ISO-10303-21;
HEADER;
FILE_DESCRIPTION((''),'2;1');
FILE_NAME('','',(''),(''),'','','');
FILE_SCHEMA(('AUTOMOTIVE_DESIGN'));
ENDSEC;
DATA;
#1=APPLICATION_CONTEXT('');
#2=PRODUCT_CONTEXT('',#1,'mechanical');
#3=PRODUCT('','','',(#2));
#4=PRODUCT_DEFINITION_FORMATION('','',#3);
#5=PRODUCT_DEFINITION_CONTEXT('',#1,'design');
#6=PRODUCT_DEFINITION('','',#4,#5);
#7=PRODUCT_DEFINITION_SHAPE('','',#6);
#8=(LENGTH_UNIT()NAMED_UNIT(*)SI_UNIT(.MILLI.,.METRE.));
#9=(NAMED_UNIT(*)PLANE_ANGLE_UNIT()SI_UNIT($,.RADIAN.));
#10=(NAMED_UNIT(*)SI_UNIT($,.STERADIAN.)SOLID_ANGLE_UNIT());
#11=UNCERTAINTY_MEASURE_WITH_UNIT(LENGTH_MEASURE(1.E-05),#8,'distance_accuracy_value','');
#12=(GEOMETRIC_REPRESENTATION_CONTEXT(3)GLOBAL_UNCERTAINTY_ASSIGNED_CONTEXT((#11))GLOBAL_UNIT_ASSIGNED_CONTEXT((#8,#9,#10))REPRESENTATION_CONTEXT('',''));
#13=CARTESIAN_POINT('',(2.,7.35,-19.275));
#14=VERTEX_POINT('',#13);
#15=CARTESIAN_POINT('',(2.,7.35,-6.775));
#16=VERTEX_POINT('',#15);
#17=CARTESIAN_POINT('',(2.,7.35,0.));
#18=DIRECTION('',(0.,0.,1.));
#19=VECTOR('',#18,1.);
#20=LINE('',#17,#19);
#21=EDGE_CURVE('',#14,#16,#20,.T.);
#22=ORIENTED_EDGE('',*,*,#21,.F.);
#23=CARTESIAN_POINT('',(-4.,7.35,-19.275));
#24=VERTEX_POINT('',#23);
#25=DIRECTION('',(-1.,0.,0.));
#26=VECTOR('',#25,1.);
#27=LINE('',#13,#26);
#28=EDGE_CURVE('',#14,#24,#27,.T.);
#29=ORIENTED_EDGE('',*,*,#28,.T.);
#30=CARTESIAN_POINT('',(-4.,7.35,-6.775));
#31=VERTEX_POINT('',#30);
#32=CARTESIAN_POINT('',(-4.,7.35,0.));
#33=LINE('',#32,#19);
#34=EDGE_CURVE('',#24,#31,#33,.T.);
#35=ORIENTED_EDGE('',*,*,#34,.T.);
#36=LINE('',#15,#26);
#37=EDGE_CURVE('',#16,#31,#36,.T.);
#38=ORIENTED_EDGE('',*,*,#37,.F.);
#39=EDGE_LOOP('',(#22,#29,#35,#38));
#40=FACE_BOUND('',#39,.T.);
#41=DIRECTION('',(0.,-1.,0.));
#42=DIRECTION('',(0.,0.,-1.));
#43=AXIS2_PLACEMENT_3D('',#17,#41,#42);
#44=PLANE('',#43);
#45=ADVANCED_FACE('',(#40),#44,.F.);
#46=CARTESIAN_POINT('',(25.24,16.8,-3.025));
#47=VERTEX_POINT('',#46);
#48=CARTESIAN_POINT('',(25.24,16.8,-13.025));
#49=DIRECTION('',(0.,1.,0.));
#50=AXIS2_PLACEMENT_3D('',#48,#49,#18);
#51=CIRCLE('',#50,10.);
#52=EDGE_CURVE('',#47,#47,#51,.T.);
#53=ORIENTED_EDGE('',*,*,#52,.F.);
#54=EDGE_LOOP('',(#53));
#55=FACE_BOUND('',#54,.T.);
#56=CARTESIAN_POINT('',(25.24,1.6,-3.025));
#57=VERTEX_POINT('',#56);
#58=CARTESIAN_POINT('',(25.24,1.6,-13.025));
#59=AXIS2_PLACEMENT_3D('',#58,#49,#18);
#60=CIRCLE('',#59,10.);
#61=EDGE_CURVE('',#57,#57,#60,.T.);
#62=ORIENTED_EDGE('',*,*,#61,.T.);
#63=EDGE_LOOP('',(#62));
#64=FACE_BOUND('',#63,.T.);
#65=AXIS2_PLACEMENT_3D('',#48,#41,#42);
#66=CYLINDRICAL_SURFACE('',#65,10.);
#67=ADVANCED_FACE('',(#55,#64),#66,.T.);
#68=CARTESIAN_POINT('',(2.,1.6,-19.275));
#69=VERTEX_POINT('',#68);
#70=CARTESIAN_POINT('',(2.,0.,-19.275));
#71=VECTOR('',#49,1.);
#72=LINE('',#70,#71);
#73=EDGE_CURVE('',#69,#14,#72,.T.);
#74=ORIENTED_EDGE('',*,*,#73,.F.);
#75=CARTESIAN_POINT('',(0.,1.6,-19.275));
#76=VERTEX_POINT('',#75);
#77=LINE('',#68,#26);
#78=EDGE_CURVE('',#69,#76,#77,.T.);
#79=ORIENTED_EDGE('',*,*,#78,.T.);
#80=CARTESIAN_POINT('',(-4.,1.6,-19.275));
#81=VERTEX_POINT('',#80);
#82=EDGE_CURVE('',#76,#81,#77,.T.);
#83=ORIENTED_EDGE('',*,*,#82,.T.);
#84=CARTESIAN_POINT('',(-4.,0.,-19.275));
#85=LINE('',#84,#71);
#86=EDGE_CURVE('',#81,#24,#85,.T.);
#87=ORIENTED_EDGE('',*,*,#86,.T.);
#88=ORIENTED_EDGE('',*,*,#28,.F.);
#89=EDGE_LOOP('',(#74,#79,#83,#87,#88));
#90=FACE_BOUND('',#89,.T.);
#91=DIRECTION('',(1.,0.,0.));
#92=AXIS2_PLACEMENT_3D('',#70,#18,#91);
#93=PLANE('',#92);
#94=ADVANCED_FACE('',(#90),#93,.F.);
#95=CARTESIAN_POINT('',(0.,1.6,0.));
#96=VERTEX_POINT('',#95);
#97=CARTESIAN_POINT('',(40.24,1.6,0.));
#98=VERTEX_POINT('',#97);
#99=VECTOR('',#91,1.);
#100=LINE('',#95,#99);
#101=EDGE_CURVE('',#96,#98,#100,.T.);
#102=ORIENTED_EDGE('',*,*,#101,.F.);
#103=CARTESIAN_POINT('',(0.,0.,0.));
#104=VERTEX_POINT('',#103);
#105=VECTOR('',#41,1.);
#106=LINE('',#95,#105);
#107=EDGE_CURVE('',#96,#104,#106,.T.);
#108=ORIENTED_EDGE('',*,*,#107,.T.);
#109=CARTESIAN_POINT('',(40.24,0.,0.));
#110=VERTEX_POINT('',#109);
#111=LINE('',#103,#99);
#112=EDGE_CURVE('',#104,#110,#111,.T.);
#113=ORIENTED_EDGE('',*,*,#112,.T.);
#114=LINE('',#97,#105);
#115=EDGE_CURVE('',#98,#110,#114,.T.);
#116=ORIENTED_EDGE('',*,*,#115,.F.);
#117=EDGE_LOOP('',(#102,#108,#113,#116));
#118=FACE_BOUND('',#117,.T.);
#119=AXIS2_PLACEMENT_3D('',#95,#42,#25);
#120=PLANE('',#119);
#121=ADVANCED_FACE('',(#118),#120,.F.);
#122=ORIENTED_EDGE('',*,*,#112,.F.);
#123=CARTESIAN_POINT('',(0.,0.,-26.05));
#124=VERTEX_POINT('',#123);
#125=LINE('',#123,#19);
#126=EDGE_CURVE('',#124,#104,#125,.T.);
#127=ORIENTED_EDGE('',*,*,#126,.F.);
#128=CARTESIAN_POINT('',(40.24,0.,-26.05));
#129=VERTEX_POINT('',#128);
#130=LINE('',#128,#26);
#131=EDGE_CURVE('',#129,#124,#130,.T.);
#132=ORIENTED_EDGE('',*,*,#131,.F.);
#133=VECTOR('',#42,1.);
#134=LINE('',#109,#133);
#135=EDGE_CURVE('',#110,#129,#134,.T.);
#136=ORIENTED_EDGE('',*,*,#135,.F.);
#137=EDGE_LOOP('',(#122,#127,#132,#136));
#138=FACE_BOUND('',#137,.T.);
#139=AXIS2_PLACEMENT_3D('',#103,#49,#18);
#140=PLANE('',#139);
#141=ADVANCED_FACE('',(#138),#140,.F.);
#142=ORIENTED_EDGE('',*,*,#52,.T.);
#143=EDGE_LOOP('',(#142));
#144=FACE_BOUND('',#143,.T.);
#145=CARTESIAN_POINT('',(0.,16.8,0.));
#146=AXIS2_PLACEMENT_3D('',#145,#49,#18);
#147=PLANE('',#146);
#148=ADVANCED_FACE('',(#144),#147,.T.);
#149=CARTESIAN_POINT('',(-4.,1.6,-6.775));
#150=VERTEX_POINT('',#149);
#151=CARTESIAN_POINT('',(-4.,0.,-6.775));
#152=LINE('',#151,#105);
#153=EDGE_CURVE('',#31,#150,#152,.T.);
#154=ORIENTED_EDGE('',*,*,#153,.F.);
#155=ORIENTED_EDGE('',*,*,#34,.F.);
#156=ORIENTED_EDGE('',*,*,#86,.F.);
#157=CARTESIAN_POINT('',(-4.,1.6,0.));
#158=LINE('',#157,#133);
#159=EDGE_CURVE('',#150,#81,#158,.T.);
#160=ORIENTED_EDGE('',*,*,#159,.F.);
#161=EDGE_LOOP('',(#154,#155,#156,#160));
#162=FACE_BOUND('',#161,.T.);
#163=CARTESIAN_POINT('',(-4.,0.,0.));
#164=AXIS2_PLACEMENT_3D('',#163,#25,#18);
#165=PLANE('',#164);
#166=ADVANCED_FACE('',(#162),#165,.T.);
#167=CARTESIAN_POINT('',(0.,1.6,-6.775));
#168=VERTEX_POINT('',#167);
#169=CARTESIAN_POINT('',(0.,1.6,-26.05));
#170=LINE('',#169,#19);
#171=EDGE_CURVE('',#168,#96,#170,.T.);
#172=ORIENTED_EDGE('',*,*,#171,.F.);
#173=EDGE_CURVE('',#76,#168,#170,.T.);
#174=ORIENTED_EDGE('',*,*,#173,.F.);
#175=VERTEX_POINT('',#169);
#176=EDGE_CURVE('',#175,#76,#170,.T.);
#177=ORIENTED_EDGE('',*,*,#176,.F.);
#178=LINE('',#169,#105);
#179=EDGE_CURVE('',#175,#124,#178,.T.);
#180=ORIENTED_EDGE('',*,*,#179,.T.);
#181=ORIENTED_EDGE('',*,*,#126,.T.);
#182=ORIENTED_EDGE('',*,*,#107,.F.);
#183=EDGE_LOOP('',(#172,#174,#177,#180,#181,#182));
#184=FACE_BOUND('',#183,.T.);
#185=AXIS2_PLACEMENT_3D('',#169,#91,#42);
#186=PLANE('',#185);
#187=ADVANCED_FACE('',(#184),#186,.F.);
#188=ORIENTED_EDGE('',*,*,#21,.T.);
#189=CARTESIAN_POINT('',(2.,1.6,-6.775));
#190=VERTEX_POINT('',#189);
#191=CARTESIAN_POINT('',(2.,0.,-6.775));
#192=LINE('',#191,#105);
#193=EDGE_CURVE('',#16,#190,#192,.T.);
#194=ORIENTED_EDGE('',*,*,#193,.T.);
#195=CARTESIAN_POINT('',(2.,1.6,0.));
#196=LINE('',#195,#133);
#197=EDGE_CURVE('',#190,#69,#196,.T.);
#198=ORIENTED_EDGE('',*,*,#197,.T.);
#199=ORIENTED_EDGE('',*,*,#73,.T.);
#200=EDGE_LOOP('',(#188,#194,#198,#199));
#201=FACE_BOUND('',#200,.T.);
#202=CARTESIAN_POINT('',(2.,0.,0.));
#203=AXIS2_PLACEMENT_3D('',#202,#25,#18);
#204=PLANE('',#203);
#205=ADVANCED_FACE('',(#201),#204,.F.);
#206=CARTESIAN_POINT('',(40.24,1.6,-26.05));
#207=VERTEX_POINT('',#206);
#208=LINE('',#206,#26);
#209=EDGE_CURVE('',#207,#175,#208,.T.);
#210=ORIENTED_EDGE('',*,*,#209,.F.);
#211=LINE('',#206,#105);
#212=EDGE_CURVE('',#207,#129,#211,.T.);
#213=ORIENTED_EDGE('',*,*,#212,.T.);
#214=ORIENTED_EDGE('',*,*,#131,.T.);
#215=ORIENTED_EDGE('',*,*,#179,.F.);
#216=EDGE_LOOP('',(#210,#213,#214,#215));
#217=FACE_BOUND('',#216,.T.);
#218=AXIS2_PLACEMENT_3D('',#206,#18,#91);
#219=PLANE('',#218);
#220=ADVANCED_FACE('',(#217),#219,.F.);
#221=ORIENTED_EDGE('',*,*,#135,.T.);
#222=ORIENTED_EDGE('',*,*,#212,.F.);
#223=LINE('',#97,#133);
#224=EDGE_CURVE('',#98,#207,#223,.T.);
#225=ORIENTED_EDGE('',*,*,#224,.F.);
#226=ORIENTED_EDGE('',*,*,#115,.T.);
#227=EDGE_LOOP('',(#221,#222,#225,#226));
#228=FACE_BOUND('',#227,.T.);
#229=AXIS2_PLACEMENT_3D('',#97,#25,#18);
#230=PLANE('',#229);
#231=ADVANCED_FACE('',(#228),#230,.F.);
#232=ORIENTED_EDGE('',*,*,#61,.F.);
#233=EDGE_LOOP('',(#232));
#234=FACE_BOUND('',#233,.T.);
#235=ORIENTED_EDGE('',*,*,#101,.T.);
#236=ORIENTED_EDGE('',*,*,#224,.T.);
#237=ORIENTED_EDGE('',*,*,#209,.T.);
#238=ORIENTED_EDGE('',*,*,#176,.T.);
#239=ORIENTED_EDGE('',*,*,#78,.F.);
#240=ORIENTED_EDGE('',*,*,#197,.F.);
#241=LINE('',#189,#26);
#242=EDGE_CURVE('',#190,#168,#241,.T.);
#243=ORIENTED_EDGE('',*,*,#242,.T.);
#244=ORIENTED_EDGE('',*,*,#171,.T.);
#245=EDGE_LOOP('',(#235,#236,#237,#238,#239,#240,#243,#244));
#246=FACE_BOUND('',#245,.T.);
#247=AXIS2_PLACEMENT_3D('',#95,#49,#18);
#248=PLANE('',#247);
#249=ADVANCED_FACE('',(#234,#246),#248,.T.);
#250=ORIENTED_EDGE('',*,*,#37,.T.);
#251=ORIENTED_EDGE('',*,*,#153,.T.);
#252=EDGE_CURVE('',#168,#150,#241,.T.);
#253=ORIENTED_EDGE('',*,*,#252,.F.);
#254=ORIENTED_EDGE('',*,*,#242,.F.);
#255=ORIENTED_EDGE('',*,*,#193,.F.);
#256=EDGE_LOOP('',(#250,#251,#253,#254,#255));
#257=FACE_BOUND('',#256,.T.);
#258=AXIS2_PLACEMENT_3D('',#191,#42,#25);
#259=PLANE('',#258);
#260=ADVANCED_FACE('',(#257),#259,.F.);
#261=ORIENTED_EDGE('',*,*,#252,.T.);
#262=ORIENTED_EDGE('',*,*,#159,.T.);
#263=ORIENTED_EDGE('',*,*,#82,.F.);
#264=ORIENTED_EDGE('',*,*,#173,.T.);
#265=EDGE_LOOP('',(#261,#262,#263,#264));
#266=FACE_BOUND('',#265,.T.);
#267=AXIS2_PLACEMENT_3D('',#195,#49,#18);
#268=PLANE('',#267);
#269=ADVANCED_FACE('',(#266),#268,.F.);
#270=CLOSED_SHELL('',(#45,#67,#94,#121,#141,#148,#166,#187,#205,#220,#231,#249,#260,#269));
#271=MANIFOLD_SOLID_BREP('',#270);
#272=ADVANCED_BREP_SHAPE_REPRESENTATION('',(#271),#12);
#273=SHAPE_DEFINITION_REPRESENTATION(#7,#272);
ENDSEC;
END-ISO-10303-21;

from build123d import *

# Parameters (mm, degrees)
SKETCH_1_W           = 40.24
SKETCH_1_H           = 26.05
EXTRUDE_1_DEPTH      = 1.6
EXTRUDE_2_DEPTH      = 15.2
EXTRUDE_3_DEPTH      = 4
EXTRUDE_3_DEPTH_BACK = 2


with BuildPart() as part:
    # 草图1 → 凸台-拉伸1 (new body)
    with BuildSketch(Plane(origin=(0, 0, 0), x_dir=(1, 0, 0), z_dir=(0, 1, 0))):
        with Locations((20.12, 13.025)):
            Rectangle(SKETCH_1_W, SKETCH_1_H)
    extrude(amount=EXTRUDE_1_DEPTH)

    # 草图2 → 凸台-拉伸2 (add)
    with BuildSketch(Plane(origin=(0, 1.6, 0), x_dir=(1, 0, 0), z_dir=(0, 1, 0))):
        with BuildLine():
            Line((15.24, 13.025), (25.24, 13.025))
            Line((25.24, 13.025), (35.24, 13.025))
            ThreePointArc((35.24, 13.025), (25.24, 23.025), (15.24, 13.025))
        make_face()
        with BuildLine():
            Line((35.24, 13.025), (25.24, 13.025))
            Line((25.24, 13.025), (15.24, 13.025))
            ThreePointArc((15.24, 13.025), (25.24, 3.025), (35.24, 13.025))
        make_face()
    extrude(amount=EXTRUDE_2_DEPTH)

    # 草图3 → 凸台-拉伸3 (add, two sides)
    with BuildSketch(Plane.ZY) as extrude_3_sk:
        Polygon((-19.275, 7.35), (-19.275, 1.6), (-13.025, 1.6), (-6.775, 1.6), (-6.775, 7.35), align=None)
    extrude(amount=EXTRUDE_3_DEPTH)
    extrude(extrude_3_sk.sketch, amount=-EXTRUDE_3_DEPTH_BACK)


solid = part.part
